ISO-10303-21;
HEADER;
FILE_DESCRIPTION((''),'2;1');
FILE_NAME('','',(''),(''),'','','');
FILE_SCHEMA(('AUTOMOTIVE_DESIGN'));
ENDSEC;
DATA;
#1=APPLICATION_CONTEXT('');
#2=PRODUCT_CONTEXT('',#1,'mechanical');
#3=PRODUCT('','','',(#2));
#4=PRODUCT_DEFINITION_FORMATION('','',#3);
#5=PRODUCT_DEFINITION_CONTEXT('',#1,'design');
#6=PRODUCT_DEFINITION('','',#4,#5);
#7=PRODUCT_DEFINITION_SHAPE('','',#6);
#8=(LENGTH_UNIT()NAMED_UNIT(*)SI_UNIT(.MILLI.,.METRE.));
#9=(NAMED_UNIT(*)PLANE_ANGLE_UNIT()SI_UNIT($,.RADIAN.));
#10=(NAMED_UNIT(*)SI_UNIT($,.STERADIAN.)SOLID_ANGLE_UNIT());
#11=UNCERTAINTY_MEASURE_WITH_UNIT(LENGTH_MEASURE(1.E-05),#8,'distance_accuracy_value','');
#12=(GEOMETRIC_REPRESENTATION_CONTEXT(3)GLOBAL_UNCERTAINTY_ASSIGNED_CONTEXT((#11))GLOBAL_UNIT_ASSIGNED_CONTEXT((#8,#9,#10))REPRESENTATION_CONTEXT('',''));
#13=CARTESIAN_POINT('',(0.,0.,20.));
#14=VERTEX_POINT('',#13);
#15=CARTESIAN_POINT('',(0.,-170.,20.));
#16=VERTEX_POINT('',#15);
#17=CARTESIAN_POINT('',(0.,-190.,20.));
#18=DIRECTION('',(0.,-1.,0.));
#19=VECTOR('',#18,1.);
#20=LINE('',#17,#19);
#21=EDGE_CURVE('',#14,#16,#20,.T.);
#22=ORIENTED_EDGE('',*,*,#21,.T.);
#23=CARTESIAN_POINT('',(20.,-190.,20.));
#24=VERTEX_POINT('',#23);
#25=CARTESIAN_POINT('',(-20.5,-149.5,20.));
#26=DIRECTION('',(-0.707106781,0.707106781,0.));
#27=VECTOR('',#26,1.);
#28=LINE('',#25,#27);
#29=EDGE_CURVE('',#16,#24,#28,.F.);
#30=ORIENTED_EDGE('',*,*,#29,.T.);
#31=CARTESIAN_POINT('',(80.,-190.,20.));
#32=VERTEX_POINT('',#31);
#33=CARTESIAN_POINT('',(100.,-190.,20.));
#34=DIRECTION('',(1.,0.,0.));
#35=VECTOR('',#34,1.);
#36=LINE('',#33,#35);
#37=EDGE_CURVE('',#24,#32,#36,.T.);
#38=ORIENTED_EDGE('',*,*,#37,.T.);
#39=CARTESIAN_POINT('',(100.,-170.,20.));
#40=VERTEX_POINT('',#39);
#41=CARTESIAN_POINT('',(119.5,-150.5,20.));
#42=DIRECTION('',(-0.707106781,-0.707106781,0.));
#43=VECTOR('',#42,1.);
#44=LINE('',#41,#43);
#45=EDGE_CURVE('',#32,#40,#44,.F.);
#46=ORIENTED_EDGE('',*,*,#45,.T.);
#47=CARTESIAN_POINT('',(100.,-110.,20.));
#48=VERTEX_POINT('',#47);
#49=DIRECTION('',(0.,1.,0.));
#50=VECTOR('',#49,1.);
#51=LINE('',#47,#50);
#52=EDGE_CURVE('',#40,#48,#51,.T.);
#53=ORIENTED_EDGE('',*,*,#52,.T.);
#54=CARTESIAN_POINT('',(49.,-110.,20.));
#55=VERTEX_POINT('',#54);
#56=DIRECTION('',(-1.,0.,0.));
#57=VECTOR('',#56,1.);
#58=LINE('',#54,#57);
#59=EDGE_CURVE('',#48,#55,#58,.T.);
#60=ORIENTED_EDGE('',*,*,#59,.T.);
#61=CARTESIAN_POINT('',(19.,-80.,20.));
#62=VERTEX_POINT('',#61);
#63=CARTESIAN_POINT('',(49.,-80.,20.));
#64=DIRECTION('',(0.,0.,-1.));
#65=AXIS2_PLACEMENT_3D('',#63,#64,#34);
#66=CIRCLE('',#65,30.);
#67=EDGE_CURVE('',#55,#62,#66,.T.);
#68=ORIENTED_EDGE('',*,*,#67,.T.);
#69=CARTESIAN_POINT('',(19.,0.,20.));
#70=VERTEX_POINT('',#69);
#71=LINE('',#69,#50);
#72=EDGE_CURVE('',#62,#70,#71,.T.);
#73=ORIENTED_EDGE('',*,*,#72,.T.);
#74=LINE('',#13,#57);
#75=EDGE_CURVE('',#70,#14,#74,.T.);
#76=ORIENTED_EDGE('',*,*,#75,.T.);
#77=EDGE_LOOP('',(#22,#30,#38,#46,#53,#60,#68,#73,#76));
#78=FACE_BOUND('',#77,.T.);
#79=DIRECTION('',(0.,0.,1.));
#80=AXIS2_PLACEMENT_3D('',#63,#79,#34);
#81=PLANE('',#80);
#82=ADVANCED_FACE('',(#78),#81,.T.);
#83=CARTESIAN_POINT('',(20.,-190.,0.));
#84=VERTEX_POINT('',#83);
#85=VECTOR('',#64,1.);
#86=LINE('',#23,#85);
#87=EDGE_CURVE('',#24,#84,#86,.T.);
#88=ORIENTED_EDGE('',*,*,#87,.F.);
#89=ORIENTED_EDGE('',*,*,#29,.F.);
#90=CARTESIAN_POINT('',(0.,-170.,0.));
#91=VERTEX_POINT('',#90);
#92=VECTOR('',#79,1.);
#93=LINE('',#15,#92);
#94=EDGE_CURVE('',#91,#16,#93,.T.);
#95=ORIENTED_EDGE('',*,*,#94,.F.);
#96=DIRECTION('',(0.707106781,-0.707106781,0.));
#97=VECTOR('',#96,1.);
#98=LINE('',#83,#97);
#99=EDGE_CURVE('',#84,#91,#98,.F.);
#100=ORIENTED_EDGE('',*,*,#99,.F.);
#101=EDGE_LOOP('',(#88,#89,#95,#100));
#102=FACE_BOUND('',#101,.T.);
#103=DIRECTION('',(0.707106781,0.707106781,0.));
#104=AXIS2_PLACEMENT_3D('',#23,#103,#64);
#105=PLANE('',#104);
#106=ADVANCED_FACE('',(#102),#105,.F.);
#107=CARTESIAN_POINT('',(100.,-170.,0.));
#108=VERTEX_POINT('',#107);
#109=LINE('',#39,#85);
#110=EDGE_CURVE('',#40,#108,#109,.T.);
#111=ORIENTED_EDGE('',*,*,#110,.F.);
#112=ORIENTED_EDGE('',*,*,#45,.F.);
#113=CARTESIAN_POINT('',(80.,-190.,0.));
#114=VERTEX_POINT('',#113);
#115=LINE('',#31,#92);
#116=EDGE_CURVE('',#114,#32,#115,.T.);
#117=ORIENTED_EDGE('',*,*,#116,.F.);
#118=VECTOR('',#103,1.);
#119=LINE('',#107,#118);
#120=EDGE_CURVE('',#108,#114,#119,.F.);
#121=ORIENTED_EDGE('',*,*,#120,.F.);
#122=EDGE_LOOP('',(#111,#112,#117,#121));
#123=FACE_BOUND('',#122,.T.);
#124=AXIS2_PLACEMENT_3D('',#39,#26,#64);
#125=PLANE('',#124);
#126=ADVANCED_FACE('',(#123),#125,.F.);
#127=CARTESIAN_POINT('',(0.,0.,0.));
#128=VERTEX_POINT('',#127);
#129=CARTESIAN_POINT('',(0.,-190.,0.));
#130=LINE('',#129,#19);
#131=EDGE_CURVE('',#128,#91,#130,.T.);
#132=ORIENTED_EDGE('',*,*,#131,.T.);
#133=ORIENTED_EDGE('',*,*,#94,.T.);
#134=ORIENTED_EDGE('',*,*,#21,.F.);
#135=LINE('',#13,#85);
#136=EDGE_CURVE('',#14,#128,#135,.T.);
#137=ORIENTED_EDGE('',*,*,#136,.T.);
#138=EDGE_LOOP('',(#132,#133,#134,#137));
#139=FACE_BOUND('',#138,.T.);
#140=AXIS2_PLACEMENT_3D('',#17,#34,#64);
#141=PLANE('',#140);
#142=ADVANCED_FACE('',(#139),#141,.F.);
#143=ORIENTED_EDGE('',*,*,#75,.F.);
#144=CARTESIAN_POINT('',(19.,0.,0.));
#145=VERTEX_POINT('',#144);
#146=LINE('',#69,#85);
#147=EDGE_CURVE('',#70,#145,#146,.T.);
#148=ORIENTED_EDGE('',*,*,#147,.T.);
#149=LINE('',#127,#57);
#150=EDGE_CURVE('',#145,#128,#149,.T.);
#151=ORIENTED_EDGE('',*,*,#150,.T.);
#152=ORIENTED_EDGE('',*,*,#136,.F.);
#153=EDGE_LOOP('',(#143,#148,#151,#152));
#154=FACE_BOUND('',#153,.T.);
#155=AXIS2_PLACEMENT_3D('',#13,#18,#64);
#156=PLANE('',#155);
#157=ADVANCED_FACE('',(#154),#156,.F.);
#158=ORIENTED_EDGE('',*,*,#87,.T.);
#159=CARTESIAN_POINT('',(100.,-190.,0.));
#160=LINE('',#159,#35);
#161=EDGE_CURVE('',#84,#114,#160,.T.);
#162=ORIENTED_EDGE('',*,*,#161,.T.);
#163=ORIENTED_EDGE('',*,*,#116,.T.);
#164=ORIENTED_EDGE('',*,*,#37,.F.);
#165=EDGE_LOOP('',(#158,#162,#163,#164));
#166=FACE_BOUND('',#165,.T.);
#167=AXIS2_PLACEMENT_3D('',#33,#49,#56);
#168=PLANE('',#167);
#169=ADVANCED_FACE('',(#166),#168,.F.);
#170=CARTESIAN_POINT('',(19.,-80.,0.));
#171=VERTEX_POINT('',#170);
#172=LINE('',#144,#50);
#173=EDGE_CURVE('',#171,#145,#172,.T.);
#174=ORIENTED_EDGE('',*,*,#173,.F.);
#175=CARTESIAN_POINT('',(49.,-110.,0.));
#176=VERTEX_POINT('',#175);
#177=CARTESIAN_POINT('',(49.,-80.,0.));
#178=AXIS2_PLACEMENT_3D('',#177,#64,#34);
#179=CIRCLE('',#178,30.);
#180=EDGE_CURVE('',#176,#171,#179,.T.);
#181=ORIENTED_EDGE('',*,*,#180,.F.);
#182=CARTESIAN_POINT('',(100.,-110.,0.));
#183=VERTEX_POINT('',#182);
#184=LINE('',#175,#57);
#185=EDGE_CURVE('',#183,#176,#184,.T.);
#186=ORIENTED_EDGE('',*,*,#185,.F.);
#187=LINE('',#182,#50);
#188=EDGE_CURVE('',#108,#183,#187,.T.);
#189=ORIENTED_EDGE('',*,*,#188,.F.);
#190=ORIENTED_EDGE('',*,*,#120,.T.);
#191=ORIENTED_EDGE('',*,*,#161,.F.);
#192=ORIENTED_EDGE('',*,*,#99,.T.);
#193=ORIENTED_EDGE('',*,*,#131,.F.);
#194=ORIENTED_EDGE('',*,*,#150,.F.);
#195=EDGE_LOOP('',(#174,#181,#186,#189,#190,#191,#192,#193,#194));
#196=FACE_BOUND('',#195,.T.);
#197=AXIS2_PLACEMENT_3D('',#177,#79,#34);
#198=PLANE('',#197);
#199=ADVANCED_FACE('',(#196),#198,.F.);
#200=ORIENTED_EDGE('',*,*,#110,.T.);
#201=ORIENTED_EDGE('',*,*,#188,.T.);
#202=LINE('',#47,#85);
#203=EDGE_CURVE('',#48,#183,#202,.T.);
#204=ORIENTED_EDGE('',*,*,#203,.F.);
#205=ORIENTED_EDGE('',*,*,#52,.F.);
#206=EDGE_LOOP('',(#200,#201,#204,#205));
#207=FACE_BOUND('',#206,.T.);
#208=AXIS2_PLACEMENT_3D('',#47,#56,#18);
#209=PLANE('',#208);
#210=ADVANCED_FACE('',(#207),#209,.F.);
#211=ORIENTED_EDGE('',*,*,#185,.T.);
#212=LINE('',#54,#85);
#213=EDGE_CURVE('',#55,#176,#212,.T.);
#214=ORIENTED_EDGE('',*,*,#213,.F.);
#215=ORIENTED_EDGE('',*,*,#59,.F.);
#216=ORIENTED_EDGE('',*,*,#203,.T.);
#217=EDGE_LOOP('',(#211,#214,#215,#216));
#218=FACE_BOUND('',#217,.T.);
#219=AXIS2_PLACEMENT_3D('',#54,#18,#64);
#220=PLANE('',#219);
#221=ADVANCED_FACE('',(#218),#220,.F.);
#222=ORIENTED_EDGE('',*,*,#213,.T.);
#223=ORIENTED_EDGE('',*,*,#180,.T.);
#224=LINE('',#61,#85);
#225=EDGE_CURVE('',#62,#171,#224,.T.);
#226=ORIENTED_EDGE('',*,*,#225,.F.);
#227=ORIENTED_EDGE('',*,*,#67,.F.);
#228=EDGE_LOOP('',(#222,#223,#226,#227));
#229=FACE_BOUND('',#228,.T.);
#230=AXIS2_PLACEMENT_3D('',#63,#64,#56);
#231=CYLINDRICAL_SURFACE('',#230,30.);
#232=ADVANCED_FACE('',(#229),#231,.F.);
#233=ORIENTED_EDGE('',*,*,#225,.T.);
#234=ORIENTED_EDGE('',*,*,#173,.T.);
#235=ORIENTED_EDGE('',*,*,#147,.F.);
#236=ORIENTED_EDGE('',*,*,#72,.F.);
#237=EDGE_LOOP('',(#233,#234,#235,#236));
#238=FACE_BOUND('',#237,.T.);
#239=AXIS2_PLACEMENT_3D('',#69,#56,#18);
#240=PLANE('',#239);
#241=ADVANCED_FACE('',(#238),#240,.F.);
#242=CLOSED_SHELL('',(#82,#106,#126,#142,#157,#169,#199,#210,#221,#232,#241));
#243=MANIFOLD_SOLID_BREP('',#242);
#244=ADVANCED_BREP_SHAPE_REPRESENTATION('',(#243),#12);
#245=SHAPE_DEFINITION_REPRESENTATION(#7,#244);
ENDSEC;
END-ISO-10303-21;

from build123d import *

# Parameters (mm, degrees)
EXTRUDE_1_DEPTH = 20
CHAMFER_1_SIZE  = 20


with BuildPart() as part:
    # 草图1 → 凸台-拉伸1 (new body)
    with BuildSketch(Plane.XY):
        with BuildLine():
            Line((0, 0), (19, 0))
            Line((19, 0), (19, -80))
            ThreePointArc((19, -80), (27.786796564, -101.213203436), (49, -110))
            Line((49, -110), (100, -110))
            Line((100, -110), (100, -190))
            Line((100, -190), (0, -190))
            Line((0, -190), (0, 0))
        make_face()
    extrude(amount=EXTRUDE_1_DEPTH)

    # 倒角1
    chamfer_1_edges = [part.edges().sort_by_distance(p)[0] for p in [
        (100, -190, 10),
        (0, -190, 10),
    ]]
    chamfer(chamfer_1_edges, length=CHAMFER_1_SIZE)


solid = part.part
